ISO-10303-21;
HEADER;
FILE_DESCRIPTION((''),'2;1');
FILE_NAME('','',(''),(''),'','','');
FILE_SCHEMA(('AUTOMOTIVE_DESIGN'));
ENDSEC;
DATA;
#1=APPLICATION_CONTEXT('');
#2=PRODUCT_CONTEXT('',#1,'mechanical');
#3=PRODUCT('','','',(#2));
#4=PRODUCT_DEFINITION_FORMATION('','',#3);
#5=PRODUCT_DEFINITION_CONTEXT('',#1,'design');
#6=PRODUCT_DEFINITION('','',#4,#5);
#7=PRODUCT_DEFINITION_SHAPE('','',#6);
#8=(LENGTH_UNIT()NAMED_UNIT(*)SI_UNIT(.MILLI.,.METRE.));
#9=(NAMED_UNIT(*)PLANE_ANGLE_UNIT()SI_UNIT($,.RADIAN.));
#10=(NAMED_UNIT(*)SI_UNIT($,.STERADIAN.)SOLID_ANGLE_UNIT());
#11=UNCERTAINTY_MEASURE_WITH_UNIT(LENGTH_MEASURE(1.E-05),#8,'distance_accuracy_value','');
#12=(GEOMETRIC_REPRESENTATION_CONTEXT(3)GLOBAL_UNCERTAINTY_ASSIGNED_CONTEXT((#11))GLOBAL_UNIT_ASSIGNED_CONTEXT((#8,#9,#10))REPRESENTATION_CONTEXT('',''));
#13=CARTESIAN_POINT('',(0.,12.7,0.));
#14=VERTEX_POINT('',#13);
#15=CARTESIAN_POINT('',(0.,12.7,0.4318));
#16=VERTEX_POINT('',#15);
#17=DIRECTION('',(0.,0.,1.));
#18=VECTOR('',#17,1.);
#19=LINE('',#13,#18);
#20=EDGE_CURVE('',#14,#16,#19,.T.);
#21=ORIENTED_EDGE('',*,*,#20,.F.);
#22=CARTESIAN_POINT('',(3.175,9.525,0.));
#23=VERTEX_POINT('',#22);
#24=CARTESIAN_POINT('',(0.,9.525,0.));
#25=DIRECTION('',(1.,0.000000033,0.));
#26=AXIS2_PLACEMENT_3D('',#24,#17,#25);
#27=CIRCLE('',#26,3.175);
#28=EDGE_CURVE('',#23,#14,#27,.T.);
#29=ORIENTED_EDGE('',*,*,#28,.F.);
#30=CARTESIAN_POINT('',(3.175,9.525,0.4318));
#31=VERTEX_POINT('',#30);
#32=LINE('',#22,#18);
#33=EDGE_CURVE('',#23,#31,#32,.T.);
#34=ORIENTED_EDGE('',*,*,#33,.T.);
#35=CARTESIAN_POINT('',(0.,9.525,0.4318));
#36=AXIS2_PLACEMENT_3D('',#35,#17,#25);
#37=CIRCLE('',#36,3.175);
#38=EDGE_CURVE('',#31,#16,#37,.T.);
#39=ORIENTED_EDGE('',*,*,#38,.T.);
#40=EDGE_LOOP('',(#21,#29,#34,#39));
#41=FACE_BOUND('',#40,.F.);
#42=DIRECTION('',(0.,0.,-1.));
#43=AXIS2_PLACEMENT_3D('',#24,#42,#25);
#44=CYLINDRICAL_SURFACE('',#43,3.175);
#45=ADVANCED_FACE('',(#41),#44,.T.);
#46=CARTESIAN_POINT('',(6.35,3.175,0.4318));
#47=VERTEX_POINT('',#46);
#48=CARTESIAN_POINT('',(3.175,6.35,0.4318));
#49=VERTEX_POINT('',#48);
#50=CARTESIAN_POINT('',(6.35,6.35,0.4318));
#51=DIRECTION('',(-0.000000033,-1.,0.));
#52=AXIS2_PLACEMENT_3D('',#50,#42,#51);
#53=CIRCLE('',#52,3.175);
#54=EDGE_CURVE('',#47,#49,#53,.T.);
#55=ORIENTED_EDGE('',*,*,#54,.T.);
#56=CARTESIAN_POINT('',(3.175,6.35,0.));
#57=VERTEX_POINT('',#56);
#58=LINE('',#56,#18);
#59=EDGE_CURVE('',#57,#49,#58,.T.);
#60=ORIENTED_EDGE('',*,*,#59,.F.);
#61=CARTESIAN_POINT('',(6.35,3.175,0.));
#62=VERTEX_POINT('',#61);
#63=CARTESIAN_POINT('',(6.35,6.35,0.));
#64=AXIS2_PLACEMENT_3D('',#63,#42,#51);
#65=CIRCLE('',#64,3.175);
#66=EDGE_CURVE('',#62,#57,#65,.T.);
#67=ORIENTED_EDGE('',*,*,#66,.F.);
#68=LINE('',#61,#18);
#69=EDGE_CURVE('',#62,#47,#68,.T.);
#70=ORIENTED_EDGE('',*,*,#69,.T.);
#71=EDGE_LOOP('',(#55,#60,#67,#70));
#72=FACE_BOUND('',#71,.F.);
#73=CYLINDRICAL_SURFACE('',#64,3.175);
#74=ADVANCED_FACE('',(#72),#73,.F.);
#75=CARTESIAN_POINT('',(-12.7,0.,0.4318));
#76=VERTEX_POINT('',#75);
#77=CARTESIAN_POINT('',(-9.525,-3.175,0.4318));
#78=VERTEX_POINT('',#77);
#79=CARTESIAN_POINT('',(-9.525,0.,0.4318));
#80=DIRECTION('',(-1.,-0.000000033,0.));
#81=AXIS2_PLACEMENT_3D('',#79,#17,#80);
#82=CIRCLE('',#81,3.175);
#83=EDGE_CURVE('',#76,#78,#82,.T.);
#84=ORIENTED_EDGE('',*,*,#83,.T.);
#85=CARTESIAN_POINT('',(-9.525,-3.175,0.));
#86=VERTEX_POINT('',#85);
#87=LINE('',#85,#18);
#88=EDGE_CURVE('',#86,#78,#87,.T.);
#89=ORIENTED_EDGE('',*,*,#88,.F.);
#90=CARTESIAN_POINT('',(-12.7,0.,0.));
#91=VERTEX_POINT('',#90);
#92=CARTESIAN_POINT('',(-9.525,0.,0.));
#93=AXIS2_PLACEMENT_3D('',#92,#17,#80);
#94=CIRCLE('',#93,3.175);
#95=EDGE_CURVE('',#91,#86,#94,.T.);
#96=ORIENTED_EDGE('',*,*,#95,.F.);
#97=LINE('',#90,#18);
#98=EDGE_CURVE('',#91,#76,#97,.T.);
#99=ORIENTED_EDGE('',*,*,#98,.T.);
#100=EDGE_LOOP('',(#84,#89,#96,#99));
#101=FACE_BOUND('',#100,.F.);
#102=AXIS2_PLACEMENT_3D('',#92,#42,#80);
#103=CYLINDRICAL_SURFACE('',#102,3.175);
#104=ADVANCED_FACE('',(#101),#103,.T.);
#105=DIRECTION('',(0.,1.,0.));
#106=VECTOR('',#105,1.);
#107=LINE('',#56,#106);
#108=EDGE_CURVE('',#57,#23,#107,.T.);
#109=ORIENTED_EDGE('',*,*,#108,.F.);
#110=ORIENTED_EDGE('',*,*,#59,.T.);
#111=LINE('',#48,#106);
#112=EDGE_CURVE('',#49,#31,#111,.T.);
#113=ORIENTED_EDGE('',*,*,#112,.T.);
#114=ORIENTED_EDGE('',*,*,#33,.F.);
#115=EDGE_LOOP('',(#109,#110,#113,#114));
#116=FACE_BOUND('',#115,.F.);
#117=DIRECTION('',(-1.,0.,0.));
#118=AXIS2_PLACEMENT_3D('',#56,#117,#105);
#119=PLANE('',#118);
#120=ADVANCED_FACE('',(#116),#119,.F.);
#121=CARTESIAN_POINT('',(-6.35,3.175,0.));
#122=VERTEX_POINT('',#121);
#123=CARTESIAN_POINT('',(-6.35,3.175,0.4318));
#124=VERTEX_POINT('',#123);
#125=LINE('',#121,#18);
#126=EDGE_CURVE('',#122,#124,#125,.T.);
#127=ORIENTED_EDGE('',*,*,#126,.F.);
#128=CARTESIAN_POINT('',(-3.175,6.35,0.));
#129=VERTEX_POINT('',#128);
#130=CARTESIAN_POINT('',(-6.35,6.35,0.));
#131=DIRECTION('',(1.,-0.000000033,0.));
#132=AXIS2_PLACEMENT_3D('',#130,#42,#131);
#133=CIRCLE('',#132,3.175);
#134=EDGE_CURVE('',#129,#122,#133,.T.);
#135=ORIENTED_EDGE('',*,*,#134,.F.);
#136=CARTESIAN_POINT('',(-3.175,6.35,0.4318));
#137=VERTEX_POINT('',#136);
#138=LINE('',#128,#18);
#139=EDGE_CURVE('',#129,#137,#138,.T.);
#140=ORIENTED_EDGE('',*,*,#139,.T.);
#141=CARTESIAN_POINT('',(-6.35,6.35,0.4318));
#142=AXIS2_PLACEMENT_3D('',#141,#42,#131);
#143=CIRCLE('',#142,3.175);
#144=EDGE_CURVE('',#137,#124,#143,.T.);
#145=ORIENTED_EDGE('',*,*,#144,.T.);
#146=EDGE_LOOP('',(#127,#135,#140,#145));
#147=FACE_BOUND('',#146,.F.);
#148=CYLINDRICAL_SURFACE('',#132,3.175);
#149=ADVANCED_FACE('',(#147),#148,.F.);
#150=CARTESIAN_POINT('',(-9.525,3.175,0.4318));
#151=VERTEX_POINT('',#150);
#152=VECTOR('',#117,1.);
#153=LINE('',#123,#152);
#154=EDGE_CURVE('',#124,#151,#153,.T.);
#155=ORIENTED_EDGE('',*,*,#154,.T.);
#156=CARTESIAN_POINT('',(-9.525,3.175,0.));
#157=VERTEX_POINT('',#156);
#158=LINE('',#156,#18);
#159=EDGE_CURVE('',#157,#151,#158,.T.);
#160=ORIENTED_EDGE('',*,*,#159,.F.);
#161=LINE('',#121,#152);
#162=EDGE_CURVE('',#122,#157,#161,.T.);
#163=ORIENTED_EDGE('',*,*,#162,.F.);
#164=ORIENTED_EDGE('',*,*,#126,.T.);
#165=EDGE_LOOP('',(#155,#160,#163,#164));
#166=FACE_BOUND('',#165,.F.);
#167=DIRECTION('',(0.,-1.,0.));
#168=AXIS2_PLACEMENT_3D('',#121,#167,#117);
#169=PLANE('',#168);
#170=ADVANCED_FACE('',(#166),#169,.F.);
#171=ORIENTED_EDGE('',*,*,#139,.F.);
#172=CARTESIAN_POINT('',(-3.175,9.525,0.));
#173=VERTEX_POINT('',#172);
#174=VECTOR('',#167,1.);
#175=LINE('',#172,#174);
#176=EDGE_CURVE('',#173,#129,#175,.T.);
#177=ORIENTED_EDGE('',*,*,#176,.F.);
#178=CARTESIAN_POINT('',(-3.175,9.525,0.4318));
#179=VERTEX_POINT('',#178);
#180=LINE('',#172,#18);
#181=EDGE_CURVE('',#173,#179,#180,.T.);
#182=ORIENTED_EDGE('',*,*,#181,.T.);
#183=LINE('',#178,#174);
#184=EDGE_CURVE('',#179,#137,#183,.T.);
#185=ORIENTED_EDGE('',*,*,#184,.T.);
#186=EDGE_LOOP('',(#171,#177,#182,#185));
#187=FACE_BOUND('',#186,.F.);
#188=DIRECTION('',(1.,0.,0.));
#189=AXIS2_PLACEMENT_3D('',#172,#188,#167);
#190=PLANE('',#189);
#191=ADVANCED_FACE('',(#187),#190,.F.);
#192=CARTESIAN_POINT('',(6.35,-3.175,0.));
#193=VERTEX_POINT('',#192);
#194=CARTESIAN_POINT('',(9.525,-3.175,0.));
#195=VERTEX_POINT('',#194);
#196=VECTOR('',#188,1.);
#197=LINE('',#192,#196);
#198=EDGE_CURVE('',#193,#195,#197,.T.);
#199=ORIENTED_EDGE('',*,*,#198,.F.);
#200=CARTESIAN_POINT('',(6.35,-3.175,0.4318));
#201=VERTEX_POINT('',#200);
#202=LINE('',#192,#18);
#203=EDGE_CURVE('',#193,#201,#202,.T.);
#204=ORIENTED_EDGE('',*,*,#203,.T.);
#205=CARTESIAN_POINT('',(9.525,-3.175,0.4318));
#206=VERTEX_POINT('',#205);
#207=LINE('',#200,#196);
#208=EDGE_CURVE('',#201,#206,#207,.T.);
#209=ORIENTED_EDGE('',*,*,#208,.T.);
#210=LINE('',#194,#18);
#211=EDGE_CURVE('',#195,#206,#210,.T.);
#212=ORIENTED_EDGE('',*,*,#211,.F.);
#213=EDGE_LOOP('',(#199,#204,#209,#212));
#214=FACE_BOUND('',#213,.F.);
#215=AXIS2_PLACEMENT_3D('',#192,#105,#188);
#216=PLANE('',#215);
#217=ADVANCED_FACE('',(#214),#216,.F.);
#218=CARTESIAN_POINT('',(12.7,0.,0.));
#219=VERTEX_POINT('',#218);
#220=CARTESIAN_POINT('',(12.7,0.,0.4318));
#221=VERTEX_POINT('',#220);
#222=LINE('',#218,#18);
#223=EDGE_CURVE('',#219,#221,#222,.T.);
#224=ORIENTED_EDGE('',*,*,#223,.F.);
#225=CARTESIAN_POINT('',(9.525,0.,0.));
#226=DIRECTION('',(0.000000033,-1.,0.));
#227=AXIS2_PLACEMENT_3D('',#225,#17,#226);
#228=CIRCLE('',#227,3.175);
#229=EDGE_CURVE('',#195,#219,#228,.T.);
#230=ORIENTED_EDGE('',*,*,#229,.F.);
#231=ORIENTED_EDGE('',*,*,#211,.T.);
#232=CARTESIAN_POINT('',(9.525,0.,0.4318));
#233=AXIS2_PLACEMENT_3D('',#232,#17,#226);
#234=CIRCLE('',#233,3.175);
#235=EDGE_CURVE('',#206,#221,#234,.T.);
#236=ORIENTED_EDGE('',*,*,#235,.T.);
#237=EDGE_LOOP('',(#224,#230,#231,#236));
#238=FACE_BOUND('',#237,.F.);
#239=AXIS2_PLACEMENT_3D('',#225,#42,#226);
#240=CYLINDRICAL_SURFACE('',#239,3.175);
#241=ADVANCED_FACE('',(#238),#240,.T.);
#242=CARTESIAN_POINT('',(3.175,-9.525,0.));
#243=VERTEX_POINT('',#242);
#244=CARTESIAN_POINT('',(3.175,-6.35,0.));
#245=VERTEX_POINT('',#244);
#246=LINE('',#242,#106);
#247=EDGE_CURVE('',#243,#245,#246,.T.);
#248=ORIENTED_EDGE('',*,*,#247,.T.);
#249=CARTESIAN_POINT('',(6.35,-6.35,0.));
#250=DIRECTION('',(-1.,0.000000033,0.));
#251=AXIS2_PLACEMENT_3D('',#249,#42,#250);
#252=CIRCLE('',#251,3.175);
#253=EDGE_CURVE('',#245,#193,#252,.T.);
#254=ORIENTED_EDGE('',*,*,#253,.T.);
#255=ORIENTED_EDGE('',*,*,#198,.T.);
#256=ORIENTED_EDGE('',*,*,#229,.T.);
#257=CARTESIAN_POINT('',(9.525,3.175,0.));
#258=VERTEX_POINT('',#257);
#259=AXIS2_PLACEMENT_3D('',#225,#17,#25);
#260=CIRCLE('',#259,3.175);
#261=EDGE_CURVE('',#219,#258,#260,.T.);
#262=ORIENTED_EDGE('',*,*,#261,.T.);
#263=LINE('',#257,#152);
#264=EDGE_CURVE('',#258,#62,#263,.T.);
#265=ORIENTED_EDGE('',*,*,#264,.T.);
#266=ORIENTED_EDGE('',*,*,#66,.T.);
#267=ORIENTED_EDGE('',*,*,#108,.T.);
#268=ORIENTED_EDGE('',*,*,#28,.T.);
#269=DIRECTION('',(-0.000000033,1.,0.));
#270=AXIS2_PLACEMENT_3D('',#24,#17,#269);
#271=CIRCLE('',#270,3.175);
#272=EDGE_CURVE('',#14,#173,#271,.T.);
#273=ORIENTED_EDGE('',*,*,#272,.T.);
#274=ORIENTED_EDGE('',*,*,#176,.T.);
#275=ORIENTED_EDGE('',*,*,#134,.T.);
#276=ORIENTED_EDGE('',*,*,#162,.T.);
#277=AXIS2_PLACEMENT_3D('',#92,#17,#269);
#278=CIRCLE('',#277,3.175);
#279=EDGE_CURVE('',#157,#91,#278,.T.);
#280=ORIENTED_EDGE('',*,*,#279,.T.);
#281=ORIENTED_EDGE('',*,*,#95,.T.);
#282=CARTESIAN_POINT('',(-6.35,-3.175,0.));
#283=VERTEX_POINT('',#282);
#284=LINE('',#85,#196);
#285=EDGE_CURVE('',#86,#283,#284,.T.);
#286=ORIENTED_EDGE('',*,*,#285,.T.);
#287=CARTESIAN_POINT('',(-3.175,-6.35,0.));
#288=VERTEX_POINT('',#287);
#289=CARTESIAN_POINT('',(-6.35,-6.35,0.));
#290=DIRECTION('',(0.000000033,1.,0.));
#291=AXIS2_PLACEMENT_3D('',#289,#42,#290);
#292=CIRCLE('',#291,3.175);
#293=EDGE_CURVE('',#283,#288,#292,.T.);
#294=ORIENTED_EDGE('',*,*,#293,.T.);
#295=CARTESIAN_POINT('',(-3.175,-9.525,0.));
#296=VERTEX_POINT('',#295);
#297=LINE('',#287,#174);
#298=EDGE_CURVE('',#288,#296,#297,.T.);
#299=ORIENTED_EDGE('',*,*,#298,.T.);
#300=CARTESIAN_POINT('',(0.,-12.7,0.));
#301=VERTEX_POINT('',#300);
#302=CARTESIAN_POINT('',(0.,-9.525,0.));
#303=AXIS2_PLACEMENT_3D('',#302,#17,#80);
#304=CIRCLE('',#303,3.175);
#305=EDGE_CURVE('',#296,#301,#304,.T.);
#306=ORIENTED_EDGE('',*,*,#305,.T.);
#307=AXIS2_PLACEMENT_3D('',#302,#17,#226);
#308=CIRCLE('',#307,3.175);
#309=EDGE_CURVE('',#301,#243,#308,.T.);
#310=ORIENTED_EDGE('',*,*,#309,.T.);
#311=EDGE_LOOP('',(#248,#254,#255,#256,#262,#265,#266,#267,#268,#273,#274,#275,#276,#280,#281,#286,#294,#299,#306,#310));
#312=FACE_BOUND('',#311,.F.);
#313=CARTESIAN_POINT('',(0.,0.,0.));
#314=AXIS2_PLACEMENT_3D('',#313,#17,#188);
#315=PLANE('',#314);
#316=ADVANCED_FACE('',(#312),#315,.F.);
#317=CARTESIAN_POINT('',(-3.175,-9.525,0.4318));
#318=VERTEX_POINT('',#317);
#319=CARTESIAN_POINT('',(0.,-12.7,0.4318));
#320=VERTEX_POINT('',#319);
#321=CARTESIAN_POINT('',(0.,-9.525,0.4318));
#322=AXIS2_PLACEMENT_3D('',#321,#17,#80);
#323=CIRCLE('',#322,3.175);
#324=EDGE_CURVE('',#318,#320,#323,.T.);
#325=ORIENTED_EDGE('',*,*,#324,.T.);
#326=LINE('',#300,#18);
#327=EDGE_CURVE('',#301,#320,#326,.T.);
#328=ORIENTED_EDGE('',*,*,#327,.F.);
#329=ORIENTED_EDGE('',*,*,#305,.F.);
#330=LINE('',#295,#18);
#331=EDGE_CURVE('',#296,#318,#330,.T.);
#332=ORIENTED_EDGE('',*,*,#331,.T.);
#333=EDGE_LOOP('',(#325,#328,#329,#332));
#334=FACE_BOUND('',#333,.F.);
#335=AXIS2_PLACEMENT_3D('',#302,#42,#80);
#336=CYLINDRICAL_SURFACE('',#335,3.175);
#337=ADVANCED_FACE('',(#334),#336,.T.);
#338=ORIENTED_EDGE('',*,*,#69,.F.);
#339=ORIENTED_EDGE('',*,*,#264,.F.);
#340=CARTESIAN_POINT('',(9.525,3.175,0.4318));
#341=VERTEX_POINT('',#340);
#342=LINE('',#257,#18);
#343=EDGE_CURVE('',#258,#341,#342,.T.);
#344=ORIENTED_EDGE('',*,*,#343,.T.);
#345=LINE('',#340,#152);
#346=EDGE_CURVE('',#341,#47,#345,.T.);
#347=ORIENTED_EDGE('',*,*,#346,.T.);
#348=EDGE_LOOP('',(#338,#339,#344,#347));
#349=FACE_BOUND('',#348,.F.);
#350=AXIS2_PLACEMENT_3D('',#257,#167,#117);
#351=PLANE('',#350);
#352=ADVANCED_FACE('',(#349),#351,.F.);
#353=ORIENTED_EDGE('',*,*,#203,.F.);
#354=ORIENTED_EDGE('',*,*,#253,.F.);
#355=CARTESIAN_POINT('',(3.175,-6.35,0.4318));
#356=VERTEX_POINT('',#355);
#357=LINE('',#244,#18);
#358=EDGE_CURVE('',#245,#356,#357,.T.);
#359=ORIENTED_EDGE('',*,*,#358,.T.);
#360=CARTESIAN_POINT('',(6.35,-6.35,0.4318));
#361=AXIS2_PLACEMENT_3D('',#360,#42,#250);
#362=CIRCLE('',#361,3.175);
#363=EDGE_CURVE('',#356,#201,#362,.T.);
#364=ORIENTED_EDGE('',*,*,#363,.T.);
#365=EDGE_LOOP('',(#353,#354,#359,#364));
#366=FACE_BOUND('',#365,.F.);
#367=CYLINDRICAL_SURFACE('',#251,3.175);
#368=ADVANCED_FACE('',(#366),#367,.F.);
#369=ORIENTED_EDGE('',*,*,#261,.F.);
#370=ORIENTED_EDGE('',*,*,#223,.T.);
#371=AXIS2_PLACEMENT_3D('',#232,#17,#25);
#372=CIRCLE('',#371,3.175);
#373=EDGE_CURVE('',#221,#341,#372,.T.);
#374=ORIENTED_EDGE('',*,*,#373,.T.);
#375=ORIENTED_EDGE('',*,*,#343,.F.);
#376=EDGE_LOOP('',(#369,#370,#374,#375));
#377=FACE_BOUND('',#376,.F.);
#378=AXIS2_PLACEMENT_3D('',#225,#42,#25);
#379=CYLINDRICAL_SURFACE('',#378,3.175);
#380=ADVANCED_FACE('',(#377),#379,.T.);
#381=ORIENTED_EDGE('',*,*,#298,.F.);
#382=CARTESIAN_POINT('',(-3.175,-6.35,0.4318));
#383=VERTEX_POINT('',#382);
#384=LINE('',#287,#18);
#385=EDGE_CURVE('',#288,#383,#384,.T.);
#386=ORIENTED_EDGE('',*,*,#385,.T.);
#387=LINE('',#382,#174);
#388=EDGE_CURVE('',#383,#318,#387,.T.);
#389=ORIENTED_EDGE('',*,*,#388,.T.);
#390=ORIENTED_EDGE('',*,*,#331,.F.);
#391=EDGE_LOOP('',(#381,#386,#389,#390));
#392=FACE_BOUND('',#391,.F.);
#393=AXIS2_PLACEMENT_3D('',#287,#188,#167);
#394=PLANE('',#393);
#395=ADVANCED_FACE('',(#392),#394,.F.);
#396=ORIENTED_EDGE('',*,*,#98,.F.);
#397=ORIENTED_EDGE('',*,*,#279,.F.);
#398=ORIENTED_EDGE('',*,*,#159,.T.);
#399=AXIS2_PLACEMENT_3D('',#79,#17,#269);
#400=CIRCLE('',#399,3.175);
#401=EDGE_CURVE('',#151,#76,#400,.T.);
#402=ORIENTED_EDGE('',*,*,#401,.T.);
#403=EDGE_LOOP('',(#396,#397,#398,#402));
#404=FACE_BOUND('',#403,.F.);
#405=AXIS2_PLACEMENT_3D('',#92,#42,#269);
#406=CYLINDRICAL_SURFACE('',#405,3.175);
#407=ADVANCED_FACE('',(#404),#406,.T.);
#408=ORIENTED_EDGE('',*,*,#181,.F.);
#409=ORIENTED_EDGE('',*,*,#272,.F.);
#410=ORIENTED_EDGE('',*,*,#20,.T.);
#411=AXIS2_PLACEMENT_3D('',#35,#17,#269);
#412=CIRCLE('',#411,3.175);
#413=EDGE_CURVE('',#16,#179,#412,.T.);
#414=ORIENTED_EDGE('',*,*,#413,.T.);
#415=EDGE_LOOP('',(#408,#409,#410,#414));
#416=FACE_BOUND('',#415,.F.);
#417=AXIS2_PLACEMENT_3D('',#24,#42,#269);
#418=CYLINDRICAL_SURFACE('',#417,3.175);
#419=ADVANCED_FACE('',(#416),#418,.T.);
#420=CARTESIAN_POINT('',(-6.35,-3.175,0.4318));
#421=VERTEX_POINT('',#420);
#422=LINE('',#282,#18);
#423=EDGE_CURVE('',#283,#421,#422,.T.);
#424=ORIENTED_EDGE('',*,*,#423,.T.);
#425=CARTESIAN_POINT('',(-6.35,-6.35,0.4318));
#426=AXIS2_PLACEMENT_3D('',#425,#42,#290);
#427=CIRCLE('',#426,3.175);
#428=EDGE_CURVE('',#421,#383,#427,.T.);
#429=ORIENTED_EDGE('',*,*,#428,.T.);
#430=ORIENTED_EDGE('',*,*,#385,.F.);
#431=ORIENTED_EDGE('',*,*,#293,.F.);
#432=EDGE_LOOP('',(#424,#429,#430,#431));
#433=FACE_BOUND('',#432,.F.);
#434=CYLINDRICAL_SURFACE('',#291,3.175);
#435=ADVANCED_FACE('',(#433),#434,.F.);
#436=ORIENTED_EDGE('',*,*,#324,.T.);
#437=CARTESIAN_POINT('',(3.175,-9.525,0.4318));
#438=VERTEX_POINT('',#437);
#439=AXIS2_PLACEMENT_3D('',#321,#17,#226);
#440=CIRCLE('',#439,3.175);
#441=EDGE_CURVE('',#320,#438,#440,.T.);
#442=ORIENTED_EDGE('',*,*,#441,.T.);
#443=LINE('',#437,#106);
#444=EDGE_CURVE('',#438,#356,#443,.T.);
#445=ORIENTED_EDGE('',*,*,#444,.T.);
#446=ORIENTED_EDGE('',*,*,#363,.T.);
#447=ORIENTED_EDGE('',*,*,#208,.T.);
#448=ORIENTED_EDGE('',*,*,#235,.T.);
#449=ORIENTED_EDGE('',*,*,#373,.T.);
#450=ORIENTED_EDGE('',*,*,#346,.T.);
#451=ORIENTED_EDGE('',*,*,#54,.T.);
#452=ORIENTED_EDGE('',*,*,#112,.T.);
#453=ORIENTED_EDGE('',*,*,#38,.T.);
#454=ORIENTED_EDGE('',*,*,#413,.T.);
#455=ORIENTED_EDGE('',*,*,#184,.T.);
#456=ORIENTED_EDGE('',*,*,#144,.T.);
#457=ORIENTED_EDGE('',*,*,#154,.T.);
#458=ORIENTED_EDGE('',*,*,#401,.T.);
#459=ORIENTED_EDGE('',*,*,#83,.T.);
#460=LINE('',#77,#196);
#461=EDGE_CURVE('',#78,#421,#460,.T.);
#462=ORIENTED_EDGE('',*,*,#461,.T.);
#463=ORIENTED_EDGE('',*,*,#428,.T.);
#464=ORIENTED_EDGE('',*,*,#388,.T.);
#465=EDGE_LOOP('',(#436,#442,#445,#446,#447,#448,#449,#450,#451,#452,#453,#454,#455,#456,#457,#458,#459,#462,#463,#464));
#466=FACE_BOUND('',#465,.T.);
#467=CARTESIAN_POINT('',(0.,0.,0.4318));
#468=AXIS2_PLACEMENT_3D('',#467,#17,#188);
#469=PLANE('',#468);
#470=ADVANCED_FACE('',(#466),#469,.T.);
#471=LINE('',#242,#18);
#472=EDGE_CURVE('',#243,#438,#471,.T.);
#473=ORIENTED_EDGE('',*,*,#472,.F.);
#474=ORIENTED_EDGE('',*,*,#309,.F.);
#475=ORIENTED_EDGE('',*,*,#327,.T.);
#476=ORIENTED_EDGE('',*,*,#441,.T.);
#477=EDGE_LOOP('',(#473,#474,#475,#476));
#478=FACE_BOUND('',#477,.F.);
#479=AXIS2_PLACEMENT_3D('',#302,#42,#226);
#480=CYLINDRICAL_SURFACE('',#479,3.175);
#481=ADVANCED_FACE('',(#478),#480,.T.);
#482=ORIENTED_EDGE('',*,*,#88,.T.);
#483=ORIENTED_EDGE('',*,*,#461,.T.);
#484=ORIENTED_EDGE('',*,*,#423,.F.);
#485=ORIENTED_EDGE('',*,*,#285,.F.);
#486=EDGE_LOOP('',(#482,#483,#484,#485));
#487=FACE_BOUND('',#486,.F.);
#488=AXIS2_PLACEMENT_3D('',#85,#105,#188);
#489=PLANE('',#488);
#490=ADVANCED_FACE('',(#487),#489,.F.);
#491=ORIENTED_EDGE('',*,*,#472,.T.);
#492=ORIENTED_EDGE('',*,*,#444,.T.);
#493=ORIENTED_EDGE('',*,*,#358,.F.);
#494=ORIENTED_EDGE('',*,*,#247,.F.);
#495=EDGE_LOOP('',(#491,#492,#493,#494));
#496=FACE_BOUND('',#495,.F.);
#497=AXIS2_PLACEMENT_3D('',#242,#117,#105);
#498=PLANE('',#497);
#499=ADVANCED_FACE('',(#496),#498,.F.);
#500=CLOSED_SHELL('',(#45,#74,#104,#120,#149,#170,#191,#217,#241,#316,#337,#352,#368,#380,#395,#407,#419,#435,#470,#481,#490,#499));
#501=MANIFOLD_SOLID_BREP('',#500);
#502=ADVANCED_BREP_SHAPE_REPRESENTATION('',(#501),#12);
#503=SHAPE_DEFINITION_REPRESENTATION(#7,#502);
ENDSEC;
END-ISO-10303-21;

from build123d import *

# Parameters (mm, degrees)
F1_DEPTH = 0.4318


with BuildPart() as f1:
    # F0 (on Top) → F1 (new body)
    with BuildSketch(Plane.XY):
        with BuildLine():
            ThreePointArc((0, -12.7), (2.245064, -11.770064), (3.175, -9.525))
            Line((3.175, -9.525), (3.175, -6.35))
            ThreePointArc((3.175, -6.35), (4.104936, -4.104936), (6.35, -3.175))
            Line((6.35, -3.175), (9.525, -3.175))
            ThreePointArc((9.525, -3.175), (11.770064, -2.245064), (12.7, 0))
            ThreePointArc((12.7, 0), (11.770064, 2.245064), (9.525, 3.175))
            Line((9.525, 3.175), (6.35, 3.175))
            ThreePointArc((6.35, 3.175), (4.104936, 4.104936), (3.175, 6.35))
            Line((3.175, 6.35), (3.175, 9.525))
            ThreePointArc((3.175, 9.525), (2.245064, 11.770064), (0, 12.7))
            ThreePointArc((0, 12.7), (-2.245064, 11.770064), (-3.175, 9.525))
            Line((-3.175, 9.525), (-3.175, 6.35))
            ThreePointArc((-3.175, 6.35), (-4.104936, 4.104936), (-6.35, 3.175))
            Line((-6.35, 3.175), (-9.525, 3.175))
            ThreePointArc((-9.525, 3.175), (-11.770064, 2.245064), (-12.7, 0))
            ThreePointArc((-12.7, 0), (-11.770064, -2.245064), (-9.525, -3.175))
            Line((-9.525, -3.175), (-6.35, -3.175))
            ThreePointArc((-6.35, -3.175), (-4.104936, -4.104936), (-3.175, -6.35))
            Line((-3.175, -6.35), (-3.175, -9.525))
            ThreePointArc((-3.175, -9.525), (-2.245064, -11.770064), (0, -12.7))
        make_face()
    extrude(amount=F1_DEPTH)


solid = f1.part
